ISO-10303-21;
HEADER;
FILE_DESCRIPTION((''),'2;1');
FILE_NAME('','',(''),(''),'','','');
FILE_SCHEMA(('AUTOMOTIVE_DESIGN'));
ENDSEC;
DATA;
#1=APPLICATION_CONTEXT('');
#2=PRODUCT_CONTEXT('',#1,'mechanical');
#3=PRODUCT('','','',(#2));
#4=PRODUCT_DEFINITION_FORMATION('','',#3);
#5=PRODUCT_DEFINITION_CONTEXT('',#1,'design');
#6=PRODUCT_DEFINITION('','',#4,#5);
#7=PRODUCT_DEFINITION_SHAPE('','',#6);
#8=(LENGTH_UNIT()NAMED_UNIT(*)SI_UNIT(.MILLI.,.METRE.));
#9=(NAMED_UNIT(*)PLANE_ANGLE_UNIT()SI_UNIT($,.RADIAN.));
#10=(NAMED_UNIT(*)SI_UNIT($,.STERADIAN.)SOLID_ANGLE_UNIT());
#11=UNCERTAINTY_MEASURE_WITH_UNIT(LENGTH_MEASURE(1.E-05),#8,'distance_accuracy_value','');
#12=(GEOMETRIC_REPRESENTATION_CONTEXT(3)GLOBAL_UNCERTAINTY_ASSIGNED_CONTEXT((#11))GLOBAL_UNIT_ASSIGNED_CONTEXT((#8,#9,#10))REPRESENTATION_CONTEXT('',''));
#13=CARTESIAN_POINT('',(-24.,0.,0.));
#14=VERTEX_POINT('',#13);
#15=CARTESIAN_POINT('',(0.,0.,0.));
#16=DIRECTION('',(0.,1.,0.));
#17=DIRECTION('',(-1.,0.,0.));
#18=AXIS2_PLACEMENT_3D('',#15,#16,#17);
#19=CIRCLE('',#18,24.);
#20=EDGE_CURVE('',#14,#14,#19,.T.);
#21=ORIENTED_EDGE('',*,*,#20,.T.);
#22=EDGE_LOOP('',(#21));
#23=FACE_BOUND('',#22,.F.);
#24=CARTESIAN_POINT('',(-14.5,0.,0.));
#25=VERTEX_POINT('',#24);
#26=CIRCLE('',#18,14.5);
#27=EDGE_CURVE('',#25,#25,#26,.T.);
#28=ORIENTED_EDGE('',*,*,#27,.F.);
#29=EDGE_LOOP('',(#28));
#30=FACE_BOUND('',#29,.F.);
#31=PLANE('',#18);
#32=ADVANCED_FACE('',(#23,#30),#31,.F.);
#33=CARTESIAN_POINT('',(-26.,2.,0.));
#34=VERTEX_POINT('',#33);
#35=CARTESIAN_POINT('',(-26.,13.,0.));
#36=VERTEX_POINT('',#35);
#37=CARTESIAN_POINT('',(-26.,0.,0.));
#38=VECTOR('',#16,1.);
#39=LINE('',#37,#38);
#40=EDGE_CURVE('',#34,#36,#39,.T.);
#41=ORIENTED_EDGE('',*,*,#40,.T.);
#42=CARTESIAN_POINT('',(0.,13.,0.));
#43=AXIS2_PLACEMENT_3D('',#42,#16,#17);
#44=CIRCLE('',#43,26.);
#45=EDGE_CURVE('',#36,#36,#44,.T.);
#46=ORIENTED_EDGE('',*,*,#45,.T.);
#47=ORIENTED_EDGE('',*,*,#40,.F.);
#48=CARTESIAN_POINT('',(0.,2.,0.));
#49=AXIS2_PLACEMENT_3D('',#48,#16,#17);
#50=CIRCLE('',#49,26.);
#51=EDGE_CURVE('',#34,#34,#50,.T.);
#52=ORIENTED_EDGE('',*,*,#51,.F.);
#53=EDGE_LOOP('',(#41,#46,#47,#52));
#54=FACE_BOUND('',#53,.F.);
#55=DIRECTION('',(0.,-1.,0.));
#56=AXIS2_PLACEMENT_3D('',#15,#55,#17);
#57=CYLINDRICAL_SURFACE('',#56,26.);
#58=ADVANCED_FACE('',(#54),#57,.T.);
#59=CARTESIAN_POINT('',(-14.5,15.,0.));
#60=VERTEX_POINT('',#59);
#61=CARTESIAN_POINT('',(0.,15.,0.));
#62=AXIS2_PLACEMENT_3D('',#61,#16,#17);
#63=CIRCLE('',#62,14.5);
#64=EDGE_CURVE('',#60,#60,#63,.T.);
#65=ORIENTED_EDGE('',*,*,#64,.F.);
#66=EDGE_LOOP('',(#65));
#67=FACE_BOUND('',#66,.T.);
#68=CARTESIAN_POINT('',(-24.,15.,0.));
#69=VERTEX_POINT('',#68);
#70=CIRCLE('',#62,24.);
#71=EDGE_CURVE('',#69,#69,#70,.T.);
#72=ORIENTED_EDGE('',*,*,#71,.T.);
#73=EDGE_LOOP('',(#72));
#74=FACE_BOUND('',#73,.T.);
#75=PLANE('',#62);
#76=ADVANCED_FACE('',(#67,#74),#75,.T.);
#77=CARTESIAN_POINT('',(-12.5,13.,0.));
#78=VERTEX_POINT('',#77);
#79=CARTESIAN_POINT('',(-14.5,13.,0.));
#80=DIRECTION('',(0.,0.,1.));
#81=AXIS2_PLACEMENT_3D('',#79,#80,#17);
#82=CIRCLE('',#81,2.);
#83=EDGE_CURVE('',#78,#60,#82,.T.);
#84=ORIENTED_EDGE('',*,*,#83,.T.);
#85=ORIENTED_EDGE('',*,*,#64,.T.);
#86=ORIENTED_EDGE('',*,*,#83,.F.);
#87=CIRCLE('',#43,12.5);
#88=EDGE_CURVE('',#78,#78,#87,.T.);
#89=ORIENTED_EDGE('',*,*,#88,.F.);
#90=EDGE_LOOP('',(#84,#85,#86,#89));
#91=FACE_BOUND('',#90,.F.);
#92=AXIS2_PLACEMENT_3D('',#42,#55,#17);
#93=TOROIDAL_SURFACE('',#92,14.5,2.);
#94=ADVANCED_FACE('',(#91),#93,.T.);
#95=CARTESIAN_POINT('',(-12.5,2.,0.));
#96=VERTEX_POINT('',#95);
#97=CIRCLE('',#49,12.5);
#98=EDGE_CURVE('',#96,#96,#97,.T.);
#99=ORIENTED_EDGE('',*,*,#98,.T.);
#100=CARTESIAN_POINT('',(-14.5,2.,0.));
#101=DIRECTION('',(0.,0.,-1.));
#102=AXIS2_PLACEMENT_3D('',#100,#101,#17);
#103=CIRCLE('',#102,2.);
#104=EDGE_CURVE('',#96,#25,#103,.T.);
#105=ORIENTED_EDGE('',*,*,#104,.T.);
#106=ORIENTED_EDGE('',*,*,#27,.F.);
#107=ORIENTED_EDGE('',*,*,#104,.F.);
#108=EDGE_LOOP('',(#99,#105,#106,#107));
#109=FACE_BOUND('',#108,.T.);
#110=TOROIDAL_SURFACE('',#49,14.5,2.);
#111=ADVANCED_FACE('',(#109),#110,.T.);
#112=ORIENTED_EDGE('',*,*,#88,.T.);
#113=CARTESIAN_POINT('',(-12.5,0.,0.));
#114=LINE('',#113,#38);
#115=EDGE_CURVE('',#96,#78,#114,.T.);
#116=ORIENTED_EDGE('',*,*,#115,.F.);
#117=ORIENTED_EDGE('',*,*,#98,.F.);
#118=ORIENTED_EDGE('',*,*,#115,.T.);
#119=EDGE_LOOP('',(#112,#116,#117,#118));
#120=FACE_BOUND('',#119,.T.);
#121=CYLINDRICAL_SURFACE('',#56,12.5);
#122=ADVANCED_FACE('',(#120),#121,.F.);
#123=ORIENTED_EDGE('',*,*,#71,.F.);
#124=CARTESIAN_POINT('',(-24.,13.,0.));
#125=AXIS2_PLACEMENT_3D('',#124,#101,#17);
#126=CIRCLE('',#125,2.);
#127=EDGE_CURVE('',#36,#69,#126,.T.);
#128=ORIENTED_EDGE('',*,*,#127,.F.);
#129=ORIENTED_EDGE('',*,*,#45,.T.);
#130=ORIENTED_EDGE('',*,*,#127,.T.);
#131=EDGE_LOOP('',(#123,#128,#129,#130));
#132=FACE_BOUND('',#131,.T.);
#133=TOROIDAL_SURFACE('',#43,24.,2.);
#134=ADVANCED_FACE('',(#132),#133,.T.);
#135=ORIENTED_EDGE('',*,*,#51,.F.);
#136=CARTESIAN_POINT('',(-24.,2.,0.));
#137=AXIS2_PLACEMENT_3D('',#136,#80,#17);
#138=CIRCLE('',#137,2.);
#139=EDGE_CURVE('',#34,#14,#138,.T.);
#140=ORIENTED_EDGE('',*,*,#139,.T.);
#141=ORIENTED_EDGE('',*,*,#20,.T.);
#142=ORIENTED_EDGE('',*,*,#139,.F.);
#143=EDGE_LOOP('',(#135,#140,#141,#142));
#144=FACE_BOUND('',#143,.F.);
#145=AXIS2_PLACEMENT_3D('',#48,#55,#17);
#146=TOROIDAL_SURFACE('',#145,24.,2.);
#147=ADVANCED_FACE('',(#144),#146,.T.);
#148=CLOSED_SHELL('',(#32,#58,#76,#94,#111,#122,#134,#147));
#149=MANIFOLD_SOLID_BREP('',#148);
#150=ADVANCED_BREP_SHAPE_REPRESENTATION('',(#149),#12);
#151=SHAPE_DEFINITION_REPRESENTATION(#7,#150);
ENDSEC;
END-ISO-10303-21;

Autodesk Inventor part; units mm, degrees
ref_plane "YZ Plane" through (0, 0, 0) normal (1, 0, 0) x (0, 1, 0)
ref_plane "XZ Plane" through (0, 0, 0) normal (0, 1, 0) x (-1, 0, 0)
ref_plane "XY Plane" through (0, 0, 0) normal (0, 0, 1) x (1, 0, 0)
sketch "Sketch1" plane through (0, 0, 0) normal (0, 1, 0) x (-1, 0, 0)
  circle A0 centre (0, 0) radius 26
  circle A1 centre (0, 0) radius 12.5
  dimension "d0" = 25
  dimension "d1" = 52
extrude "Extrusion1" add sketch "Sketch1" along normal blind 15
fillet "Fillet1" radius 2 4 edges at (12.5, 15, 0) (26, 15, 0) (26, 0, 0) (12.5, 0, 0)
properties part number "MiniPod"
